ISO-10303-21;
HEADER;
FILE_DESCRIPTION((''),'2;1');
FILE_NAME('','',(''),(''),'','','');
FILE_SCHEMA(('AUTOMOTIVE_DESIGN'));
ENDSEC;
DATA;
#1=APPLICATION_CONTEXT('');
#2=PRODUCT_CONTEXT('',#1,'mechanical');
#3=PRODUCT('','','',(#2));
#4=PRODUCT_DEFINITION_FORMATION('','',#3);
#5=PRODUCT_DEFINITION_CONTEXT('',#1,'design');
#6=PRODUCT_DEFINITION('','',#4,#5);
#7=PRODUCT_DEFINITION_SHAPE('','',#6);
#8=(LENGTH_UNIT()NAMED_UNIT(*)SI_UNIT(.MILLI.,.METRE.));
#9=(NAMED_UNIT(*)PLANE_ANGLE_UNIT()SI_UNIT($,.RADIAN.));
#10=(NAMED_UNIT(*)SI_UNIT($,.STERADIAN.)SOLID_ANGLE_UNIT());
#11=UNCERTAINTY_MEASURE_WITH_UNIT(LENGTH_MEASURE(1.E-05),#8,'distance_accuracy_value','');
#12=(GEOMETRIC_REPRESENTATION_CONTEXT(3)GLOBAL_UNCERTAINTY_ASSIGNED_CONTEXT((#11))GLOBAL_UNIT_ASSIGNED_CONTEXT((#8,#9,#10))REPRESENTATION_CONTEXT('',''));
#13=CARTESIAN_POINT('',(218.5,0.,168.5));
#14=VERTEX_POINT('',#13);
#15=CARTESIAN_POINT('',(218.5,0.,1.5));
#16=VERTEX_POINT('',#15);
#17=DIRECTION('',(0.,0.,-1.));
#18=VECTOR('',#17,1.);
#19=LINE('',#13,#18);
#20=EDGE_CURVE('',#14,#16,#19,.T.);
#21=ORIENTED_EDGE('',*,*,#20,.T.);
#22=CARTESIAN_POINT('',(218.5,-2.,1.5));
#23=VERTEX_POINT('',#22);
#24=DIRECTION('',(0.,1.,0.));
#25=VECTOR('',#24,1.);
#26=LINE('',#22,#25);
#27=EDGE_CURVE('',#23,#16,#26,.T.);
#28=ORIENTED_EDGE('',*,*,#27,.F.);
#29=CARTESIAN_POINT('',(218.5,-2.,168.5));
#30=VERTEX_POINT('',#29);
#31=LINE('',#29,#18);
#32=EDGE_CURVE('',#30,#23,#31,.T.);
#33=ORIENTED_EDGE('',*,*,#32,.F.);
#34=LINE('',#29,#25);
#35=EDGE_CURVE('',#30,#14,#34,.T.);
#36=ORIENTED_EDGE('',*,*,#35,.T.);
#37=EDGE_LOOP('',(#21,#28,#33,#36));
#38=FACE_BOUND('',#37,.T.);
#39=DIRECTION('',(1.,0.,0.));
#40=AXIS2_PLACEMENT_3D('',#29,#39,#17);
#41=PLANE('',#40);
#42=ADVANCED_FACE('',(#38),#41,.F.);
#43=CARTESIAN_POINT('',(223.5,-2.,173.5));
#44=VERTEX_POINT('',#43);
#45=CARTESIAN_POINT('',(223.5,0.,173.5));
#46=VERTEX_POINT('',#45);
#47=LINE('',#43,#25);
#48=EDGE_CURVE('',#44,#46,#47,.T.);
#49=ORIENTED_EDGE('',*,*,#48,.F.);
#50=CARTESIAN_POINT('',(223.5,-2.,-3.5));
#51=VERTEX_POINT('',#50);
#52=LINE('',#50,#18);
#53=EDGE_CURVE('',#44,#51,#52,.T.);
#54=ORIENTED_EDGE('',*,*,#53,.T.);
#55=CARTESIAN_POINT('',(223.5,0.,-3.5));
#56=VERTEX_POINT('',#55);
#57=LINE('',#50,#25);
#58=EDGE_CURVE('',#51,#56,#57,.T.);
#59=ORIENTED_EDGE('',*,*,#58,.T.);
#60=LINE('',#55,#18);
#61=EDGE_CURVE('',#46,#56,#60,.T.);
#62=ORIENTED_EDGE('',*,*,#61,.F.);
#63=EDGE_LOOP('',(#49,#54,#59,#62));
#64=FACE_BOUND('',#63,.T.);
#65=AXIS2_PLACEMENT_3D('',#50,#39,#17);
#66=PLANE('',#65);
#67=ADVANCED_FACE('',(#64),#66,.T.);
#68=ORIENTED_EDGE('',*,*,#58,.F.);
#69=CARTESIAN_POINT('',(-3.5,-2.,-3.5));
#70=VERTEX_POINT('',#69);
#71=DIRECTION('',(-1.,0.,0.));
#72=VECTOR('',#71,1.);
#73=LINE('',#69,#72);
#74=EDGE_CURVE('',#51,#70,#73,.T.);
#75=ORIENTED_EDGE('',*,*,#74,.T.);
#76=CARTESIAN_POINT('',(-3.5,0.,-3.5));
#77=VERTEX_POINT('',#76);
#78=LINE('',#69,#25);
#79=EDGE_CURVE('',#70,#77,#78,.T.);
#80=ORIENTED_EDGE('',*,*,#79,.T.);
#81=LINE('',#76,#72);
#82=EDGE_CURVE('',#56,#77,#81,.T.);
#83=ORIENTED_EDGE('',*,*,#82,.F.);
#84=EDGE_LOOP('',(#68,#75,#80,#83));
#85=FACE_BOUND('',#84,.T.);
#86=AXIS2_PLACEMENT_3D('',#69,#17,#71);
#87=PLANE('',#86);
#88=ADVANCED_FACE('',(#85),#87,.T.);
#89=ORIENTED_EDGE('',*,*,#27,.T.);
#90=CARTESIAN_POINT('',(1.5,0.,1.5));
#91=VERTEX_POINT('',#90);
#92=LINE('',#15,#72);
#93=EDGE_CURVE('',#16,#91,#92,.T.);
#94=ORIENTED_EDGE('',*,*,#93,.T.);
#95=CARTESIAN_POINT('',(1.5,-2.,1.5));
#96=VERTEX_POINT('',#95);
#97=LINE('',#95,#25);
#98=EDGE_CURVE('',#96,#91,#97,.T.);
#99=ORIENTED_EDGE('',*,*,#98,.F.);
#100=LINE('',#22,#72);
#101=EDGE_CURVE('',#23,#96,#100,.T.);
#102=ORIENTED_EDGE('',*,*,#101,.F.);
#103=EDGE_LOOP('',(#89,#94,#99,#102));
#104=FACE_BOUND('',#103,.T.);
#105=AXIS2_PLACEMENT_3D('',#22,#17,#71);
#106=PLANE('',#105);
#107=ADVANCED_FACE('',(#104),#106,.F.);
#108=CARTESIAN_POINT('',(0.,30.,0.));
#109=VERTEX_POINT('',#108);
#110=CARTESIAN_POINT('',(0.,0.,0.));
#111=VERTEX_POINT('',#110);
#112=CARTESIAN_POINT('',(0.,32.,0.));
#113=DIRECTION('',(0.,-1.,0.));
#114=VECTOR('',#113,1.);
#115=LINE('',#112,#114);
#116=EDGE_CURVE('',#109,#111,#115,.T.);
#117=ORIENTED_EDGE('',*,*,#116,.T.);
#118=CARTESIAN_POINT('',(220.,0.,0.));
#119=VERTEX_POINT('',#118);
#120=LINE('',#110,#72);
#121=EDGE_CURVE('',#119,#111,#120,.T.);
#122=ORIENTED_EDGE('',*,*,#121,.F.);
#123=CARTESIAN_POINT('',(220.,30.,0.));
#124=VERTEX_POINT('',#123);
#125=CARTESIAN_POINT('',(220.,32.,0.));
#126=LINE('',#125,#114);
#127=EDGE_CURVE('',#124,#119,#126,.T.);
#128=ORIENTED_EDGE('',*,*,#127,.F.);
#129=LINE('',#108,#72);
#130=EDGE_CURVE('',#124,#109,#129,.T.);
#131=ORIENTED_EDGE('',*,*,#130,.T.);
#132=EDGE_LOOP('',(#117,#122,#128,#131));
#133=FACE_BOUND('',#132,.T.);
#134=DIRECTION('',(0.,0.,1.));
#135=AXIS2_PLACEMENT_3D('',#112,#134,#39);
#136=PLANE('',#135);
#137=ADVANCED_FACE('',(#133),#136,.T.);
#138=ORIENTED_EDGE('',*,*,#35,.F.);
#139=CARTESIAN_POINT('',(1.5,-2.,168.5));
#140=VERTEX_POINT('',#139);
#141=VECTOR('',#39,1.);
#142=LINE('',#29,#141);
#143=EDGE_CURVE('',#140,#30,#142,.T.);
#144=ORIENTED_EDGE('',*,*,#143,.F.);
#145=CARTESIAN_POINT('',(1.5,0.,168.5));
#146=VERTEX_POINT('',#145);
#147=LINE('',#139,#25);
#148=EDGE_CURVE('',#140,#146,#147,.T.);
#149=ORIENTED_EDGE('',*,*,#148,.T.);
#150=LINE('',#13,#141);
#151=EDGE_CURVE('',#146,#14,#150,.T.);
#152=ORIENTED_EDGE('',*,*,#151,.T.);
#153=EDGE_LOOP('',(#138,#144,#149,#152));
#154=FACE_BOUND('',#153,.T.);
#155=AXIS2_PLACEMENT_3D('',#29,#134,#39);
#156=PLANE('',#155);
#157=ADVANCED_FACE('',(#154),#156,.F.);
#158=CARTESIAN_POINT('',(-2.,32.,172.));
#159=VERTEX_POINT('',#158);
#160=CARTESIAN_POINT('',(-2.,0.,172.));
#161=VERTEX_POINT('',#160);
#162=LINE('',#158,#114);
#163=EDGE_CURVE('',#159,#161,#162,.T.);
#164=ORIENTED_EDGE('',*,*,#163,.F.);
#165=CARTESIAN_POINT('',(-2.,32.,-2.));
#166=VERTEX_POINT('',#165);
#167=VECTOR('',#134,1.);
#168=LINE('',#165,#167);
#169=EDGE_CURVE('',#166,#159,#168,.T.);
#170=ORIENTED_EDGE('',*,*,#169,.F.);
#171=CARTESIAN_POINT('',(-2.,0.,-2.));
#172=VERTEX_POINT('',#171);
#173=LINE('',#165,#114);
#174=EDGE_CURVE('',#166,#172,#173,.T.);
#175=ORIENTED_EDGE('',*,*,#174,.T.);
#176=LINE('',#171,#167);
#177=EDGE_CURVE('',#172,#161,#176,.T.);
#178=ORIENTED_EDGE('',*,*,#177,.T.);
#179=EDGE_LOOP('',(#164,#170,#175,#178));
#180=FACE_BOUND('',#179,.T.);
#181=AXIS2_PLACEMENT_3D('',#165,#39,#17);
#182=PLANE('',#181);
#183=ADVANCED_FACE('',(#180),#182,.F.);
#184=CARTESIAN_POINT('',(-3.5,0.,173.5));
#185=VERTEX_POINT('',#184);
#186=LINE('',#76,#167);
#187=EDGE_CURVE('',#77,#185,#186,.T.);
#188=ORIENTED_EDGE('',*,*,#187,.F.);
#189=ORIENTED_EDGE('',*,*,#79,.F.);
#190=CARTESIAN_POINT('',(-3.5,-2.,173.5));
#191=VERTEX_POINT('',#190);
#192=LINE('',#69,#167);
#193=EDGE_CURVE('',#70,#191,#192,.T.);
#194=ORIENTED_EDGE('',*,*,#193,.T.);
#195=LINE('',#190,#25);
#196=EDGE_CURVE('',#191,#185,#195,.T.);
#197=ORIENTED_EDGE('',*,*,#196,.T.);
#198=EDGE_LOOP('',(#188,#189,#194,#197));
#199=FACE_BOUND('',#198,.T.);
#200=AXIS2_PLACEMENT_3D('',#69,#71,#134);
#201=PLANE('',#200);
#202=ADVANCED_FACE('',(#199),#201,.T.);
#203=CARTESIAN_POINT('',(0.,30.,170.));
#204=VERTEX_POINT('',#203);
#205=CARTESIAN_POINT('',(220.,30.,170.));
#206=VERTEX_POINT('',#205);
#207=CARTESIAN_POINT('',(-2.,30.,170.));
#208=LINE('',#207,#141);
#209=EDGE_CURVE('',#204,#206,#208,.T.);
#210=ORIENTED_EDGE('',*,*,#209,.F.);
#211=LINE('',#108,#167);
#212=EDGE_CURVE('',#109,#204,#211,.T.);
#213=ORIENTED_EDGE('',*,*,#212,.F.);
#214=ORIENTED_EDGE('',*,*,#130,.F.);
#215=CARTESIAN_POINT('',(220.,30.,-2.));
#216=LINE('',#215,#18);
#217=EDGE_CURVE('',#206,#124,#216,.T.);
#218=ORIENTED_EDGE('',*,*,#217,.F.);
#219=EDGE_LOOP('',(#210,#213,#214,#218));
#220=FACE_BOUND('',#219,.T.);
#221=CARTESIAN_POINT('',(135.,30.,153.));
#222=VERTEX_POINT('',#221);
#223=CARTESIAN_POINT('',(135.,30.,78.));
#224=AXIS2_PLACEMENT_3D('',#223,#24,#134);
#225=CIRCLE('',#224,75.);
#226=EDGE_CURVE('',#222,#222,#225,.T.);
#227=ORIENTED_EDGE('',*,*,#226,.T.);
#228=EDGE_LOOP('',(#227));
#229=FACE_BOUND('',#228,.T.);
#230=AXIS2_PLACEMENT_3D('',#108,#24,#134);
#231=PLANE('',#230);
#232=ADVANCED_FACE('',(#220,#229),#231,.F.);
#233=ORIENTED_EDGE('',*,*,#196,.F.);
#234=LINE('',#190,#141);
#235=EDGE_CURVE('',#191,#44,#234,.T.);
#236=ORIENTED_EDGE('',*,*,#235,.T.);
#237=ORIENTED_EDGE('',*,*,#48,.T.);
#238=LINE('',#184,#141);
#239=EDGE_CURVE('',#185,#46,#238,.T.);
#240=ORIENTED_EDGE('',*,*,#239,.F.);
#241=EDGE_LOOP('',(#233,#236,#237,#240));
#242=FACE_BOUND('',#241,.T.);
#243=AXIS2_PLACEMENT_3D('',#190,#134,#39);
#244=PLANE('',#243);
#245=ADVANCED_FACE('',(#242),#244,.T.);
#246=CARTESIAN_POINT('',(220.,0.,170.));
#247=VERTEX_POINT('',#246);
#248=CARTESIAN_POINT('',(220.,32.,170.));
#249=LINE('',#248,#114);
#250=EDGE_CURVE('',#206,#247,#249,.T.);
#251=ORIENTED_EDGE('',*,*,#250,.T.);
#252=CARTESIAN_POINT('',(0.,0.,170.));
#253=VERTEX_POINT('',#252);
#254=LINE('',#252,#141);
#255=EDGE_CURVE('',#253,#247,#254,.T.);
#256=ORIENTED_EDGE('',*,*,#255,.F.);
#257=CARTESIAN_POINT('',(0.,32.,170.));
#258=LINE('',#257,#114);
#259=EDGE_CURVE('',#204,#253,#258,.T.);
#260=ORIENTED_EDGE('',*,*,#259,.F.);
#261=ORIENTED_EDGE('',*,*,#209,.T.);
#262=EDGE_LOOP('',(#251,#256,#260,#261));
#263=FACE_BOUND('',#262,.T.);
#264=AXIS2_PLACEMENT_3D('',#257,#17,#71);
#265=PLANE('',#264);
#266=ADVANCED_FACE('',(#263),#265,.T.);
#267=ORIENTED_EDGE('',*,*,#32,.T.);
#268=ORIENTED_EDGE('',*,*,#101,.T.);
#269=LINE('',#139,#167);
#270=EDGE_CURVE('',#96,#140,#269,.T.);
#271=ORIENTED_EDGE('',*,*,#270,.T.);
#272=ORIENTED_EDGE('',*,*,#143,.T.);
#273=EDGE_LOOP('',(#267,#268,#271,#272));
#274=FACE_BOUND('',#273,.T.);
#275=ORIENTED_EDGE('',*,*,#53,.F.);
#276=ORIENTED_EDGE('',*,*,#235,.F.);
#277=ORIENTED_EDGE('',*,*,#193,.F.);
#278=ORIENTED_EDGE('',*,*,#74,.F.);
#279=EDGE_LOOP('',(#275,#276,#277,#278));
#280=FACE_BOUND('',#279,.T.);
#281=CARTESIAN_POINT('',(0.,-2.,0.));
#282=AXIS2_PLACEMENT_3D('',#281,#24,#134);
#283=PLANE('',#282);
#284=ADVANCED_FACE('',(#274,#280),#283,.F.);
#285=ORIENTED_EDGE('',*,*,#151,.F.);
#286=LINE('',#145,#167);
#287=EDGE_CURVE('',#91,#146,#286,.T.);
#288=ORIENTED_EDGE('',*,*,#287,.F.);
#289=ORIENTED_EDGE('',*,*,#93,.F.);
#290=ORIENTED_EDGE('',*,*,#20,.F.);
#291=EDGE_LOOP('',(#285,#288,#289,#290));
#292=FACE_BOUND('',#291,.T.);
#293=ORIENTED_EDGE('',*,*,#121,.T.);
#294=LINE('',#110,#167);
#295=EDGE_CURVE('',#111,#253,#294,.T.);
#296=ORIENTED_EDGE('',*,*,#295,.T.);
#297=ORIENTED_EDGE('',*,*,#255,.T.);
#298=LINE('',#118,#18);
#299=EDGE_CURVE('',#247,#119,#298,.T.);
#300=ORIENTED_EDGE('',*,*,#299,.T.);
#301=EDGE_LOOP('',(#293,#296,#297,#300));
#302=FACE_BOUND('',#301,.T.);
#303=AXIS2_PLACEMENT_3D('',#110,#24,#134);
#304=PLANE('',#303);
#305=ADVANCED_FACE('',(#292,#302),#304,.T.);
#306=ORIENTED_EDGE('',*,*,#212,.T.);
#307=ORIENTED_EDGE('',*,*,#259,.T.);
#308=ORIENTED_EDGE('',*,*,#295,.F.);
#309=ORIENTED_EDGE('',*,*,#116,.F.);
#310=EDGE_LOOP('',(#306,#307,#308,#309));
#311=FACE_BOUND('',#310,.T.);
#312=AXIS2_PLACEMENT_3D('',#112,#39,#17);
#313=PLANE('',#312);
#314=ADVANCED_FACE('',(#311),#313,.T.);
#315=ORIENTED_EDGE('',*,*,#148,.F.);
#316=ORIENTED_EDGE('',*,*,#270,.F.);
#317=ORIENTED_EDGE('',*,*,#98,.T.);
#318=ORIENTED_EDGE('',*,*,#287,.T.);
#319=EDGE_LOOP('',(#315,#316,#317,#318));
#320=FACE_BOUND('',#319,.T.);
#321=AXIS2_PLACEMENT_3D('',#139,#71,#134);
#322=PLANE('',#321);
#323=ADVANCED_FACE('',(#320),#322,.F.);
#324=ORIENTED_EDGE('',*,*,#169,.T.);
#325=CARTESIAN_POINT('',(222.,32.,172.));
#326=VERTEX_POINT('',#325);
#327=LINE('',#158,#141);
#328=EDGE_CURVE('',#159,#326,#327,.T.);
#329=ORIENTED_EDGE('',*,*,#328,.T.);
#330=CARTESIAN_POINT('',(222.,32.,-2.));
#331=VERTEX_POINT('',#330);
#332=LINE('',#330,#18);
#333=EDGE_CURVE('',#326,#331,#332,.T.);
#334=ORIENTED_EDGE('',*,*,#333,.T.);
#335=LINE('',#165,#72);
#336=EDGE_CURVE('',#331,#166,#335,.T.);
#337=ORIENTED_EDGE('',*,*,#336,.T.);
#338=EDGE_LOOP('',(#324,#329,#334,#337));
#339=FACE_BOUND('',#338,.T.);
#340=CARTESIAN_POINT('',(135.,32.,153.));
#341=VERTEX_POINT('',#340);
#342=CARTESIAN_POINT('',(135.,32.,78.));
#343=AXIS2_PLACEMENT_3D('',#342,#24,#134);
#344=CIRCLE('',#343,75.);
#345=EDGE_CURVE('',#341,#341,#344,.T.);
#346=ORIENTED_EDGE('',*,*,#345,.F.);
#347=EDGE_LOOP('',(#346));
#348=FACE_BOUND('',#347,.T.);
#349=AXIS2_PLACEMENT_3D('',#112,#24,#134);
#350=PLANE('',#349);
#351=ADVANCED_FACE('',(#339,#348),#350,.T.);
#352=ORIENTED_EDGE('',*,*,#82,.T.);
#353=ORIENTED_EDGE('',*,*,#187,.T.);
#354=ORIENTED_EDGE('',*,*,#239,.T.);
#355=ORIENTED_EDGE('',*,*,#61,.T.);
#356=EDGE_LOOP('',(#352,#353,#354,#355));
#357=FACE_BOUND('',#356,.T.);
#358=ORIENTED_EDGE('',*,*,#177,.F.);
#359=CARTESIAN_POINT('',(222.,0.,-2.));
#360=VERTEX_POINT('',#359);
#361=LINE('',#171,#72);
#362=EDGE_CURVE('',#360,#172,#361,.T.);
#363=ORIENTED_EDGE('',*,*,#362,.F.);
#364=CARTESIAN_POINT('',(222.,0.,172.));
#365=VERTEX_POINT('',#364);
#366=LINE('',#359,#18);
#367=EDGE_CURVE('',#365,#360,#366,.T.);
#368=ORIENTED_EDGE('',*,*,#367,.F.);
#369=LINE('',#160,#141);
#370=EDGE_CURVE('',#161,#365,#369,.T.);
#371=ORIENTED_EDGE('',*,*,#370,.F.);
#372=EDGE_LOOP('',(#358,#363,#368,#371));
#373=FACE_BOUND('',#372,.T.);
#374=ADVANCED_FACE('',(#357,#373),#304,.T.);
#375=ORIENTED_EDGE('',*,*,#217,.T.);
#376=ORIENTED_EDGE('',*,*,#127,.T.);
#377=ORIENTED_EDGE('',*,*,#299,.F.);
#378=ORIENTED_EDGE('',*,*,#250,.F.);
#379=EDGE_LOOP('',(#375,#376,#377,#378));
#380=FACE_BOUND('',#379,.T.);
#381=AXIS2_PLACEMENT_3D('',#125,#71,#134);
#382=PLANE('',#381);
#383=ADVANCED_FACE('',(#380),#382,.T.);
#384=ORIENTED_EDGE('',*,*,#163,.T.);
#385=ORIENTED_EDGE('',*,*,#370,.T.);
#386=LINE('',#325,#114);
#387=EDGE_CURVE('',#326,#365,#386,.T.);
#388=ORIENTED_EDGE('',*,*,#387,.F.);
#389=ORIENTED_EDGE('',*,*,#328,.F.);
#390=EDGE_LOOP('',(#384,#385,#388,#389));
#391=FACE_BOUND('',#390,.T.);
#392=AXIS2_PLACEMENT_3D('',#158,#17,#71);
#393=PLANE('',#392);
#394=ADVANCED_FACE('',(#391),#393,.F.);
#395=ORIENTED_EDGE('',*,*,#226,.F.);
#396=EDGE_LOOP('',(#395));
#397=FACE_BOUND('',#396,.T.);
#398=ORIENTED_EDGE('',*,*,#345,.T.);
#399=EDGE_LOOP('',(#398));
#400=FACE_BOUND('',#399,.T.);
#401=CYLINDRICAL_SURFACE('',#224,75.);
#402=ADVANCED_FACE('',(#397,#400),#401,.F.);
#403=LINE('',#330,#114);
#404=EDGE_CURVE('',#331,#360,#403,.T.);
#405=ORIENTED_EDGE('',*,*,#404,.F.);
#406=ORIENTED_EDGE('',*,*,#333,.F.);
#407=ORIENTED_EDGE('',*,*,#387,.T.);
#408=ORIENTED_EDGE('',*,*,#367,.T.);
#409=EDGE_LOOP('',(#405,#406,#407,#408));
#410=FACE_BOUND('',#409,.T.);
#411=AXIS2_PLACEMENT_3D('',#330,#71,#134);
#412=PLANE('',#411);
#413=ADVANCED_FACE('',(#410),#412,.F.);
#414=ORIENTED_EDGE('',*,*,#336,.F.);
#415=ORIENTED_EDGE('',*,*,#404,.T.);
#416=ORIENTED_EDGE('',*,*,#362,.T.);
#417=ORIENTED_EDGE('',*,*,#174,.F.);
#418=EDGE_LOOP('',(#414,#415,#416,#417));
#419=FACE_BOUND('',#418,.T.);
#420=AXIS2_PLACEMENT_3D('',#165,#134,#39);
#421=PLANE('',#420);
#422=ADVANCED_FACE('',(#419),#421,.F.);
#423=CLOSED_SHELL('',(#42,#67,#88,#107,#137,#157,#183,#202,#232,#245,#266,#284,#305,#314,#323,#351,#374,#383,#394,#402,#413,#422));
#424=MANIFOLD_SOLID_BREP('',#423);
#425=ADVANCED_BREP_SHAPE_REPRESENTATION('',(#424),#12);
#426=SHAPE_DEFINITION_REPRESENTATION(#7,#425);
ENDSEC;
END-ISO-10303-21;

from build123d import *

# Parameters (mm, degrees)
SKETCH_1_W      = 224
SKETCH_1_H      = 174
SKETCH_1_W_2    = 220
SKETCH_1_H_2    = 170
EXTRUDE_1_DEPTH = 32
SKETCH_2_W      = 227
SKETCH_2_H      = 177
SKETCH_2_W_2    = 217
SKETCH_2_H_2    = 167
EXTRUDE_2_DEPTH = 2
SKETCH_3_W      = 222
SKETCH_3_H      = 172
SKETCH_3_R      = 75
EXTRUDE_3_DEPTH = 2


with BuildPart() as part:
    # 草图1 → 凸台-拉伸1 (new body)
    with BuildSketch(Plane(origin=(0, 0, 0), x_dir=(1, 0, 0), z_dir=(0, 1, 0))):
        with Locations((110, -85)):
            Rectangle(SKETCH_1_W, SKETCH_1_H)
        with Locations((110, -85)):
            Rectangle(SKETCH_1_W_2, SKETCH_1_H_2, mode=Mode.SUBTRACT)
    extrude(amount=EXTRUDE_1_DEPTH)

    # 草图2 → 凸台-拉伸2 (add)
    with BuildSketch(Plane(origin=(0, 0, 0), x_dir=(1, 0, 0), z_dir=(0, 1, 0))):
        with Locations((110, -85)):
            Rectangle(SKETCH_2_W, SKETCH_2_H)
        with Locations((110, -85)):
            Rectangle(SKETCH_2_W_2, SKETCH_2_H_2, mode=Mode.SUBTRACT)
    extrude(amount=-EXTRUDE_2_DEPTH)

    # 草图3 → 凸台-拉伸3 (add)
    with BuildSketch(Plane(origin=(0, 32, 0), x_dir=(1, 0, 0), z_dir=(0, 1, 0))):
        with Locations((109, -84)):
            Rectangle(SKETCH_3_W, SKETCH_3_H)
        with Locations(Location((135, -78, 0), (0, 0, 270))):
            Circle(SKETCH_3_R, mode=Mode.SUBTRACT)
    extrude(amount=-EXTRUDE_3_DEPTH)


solid = part.part
